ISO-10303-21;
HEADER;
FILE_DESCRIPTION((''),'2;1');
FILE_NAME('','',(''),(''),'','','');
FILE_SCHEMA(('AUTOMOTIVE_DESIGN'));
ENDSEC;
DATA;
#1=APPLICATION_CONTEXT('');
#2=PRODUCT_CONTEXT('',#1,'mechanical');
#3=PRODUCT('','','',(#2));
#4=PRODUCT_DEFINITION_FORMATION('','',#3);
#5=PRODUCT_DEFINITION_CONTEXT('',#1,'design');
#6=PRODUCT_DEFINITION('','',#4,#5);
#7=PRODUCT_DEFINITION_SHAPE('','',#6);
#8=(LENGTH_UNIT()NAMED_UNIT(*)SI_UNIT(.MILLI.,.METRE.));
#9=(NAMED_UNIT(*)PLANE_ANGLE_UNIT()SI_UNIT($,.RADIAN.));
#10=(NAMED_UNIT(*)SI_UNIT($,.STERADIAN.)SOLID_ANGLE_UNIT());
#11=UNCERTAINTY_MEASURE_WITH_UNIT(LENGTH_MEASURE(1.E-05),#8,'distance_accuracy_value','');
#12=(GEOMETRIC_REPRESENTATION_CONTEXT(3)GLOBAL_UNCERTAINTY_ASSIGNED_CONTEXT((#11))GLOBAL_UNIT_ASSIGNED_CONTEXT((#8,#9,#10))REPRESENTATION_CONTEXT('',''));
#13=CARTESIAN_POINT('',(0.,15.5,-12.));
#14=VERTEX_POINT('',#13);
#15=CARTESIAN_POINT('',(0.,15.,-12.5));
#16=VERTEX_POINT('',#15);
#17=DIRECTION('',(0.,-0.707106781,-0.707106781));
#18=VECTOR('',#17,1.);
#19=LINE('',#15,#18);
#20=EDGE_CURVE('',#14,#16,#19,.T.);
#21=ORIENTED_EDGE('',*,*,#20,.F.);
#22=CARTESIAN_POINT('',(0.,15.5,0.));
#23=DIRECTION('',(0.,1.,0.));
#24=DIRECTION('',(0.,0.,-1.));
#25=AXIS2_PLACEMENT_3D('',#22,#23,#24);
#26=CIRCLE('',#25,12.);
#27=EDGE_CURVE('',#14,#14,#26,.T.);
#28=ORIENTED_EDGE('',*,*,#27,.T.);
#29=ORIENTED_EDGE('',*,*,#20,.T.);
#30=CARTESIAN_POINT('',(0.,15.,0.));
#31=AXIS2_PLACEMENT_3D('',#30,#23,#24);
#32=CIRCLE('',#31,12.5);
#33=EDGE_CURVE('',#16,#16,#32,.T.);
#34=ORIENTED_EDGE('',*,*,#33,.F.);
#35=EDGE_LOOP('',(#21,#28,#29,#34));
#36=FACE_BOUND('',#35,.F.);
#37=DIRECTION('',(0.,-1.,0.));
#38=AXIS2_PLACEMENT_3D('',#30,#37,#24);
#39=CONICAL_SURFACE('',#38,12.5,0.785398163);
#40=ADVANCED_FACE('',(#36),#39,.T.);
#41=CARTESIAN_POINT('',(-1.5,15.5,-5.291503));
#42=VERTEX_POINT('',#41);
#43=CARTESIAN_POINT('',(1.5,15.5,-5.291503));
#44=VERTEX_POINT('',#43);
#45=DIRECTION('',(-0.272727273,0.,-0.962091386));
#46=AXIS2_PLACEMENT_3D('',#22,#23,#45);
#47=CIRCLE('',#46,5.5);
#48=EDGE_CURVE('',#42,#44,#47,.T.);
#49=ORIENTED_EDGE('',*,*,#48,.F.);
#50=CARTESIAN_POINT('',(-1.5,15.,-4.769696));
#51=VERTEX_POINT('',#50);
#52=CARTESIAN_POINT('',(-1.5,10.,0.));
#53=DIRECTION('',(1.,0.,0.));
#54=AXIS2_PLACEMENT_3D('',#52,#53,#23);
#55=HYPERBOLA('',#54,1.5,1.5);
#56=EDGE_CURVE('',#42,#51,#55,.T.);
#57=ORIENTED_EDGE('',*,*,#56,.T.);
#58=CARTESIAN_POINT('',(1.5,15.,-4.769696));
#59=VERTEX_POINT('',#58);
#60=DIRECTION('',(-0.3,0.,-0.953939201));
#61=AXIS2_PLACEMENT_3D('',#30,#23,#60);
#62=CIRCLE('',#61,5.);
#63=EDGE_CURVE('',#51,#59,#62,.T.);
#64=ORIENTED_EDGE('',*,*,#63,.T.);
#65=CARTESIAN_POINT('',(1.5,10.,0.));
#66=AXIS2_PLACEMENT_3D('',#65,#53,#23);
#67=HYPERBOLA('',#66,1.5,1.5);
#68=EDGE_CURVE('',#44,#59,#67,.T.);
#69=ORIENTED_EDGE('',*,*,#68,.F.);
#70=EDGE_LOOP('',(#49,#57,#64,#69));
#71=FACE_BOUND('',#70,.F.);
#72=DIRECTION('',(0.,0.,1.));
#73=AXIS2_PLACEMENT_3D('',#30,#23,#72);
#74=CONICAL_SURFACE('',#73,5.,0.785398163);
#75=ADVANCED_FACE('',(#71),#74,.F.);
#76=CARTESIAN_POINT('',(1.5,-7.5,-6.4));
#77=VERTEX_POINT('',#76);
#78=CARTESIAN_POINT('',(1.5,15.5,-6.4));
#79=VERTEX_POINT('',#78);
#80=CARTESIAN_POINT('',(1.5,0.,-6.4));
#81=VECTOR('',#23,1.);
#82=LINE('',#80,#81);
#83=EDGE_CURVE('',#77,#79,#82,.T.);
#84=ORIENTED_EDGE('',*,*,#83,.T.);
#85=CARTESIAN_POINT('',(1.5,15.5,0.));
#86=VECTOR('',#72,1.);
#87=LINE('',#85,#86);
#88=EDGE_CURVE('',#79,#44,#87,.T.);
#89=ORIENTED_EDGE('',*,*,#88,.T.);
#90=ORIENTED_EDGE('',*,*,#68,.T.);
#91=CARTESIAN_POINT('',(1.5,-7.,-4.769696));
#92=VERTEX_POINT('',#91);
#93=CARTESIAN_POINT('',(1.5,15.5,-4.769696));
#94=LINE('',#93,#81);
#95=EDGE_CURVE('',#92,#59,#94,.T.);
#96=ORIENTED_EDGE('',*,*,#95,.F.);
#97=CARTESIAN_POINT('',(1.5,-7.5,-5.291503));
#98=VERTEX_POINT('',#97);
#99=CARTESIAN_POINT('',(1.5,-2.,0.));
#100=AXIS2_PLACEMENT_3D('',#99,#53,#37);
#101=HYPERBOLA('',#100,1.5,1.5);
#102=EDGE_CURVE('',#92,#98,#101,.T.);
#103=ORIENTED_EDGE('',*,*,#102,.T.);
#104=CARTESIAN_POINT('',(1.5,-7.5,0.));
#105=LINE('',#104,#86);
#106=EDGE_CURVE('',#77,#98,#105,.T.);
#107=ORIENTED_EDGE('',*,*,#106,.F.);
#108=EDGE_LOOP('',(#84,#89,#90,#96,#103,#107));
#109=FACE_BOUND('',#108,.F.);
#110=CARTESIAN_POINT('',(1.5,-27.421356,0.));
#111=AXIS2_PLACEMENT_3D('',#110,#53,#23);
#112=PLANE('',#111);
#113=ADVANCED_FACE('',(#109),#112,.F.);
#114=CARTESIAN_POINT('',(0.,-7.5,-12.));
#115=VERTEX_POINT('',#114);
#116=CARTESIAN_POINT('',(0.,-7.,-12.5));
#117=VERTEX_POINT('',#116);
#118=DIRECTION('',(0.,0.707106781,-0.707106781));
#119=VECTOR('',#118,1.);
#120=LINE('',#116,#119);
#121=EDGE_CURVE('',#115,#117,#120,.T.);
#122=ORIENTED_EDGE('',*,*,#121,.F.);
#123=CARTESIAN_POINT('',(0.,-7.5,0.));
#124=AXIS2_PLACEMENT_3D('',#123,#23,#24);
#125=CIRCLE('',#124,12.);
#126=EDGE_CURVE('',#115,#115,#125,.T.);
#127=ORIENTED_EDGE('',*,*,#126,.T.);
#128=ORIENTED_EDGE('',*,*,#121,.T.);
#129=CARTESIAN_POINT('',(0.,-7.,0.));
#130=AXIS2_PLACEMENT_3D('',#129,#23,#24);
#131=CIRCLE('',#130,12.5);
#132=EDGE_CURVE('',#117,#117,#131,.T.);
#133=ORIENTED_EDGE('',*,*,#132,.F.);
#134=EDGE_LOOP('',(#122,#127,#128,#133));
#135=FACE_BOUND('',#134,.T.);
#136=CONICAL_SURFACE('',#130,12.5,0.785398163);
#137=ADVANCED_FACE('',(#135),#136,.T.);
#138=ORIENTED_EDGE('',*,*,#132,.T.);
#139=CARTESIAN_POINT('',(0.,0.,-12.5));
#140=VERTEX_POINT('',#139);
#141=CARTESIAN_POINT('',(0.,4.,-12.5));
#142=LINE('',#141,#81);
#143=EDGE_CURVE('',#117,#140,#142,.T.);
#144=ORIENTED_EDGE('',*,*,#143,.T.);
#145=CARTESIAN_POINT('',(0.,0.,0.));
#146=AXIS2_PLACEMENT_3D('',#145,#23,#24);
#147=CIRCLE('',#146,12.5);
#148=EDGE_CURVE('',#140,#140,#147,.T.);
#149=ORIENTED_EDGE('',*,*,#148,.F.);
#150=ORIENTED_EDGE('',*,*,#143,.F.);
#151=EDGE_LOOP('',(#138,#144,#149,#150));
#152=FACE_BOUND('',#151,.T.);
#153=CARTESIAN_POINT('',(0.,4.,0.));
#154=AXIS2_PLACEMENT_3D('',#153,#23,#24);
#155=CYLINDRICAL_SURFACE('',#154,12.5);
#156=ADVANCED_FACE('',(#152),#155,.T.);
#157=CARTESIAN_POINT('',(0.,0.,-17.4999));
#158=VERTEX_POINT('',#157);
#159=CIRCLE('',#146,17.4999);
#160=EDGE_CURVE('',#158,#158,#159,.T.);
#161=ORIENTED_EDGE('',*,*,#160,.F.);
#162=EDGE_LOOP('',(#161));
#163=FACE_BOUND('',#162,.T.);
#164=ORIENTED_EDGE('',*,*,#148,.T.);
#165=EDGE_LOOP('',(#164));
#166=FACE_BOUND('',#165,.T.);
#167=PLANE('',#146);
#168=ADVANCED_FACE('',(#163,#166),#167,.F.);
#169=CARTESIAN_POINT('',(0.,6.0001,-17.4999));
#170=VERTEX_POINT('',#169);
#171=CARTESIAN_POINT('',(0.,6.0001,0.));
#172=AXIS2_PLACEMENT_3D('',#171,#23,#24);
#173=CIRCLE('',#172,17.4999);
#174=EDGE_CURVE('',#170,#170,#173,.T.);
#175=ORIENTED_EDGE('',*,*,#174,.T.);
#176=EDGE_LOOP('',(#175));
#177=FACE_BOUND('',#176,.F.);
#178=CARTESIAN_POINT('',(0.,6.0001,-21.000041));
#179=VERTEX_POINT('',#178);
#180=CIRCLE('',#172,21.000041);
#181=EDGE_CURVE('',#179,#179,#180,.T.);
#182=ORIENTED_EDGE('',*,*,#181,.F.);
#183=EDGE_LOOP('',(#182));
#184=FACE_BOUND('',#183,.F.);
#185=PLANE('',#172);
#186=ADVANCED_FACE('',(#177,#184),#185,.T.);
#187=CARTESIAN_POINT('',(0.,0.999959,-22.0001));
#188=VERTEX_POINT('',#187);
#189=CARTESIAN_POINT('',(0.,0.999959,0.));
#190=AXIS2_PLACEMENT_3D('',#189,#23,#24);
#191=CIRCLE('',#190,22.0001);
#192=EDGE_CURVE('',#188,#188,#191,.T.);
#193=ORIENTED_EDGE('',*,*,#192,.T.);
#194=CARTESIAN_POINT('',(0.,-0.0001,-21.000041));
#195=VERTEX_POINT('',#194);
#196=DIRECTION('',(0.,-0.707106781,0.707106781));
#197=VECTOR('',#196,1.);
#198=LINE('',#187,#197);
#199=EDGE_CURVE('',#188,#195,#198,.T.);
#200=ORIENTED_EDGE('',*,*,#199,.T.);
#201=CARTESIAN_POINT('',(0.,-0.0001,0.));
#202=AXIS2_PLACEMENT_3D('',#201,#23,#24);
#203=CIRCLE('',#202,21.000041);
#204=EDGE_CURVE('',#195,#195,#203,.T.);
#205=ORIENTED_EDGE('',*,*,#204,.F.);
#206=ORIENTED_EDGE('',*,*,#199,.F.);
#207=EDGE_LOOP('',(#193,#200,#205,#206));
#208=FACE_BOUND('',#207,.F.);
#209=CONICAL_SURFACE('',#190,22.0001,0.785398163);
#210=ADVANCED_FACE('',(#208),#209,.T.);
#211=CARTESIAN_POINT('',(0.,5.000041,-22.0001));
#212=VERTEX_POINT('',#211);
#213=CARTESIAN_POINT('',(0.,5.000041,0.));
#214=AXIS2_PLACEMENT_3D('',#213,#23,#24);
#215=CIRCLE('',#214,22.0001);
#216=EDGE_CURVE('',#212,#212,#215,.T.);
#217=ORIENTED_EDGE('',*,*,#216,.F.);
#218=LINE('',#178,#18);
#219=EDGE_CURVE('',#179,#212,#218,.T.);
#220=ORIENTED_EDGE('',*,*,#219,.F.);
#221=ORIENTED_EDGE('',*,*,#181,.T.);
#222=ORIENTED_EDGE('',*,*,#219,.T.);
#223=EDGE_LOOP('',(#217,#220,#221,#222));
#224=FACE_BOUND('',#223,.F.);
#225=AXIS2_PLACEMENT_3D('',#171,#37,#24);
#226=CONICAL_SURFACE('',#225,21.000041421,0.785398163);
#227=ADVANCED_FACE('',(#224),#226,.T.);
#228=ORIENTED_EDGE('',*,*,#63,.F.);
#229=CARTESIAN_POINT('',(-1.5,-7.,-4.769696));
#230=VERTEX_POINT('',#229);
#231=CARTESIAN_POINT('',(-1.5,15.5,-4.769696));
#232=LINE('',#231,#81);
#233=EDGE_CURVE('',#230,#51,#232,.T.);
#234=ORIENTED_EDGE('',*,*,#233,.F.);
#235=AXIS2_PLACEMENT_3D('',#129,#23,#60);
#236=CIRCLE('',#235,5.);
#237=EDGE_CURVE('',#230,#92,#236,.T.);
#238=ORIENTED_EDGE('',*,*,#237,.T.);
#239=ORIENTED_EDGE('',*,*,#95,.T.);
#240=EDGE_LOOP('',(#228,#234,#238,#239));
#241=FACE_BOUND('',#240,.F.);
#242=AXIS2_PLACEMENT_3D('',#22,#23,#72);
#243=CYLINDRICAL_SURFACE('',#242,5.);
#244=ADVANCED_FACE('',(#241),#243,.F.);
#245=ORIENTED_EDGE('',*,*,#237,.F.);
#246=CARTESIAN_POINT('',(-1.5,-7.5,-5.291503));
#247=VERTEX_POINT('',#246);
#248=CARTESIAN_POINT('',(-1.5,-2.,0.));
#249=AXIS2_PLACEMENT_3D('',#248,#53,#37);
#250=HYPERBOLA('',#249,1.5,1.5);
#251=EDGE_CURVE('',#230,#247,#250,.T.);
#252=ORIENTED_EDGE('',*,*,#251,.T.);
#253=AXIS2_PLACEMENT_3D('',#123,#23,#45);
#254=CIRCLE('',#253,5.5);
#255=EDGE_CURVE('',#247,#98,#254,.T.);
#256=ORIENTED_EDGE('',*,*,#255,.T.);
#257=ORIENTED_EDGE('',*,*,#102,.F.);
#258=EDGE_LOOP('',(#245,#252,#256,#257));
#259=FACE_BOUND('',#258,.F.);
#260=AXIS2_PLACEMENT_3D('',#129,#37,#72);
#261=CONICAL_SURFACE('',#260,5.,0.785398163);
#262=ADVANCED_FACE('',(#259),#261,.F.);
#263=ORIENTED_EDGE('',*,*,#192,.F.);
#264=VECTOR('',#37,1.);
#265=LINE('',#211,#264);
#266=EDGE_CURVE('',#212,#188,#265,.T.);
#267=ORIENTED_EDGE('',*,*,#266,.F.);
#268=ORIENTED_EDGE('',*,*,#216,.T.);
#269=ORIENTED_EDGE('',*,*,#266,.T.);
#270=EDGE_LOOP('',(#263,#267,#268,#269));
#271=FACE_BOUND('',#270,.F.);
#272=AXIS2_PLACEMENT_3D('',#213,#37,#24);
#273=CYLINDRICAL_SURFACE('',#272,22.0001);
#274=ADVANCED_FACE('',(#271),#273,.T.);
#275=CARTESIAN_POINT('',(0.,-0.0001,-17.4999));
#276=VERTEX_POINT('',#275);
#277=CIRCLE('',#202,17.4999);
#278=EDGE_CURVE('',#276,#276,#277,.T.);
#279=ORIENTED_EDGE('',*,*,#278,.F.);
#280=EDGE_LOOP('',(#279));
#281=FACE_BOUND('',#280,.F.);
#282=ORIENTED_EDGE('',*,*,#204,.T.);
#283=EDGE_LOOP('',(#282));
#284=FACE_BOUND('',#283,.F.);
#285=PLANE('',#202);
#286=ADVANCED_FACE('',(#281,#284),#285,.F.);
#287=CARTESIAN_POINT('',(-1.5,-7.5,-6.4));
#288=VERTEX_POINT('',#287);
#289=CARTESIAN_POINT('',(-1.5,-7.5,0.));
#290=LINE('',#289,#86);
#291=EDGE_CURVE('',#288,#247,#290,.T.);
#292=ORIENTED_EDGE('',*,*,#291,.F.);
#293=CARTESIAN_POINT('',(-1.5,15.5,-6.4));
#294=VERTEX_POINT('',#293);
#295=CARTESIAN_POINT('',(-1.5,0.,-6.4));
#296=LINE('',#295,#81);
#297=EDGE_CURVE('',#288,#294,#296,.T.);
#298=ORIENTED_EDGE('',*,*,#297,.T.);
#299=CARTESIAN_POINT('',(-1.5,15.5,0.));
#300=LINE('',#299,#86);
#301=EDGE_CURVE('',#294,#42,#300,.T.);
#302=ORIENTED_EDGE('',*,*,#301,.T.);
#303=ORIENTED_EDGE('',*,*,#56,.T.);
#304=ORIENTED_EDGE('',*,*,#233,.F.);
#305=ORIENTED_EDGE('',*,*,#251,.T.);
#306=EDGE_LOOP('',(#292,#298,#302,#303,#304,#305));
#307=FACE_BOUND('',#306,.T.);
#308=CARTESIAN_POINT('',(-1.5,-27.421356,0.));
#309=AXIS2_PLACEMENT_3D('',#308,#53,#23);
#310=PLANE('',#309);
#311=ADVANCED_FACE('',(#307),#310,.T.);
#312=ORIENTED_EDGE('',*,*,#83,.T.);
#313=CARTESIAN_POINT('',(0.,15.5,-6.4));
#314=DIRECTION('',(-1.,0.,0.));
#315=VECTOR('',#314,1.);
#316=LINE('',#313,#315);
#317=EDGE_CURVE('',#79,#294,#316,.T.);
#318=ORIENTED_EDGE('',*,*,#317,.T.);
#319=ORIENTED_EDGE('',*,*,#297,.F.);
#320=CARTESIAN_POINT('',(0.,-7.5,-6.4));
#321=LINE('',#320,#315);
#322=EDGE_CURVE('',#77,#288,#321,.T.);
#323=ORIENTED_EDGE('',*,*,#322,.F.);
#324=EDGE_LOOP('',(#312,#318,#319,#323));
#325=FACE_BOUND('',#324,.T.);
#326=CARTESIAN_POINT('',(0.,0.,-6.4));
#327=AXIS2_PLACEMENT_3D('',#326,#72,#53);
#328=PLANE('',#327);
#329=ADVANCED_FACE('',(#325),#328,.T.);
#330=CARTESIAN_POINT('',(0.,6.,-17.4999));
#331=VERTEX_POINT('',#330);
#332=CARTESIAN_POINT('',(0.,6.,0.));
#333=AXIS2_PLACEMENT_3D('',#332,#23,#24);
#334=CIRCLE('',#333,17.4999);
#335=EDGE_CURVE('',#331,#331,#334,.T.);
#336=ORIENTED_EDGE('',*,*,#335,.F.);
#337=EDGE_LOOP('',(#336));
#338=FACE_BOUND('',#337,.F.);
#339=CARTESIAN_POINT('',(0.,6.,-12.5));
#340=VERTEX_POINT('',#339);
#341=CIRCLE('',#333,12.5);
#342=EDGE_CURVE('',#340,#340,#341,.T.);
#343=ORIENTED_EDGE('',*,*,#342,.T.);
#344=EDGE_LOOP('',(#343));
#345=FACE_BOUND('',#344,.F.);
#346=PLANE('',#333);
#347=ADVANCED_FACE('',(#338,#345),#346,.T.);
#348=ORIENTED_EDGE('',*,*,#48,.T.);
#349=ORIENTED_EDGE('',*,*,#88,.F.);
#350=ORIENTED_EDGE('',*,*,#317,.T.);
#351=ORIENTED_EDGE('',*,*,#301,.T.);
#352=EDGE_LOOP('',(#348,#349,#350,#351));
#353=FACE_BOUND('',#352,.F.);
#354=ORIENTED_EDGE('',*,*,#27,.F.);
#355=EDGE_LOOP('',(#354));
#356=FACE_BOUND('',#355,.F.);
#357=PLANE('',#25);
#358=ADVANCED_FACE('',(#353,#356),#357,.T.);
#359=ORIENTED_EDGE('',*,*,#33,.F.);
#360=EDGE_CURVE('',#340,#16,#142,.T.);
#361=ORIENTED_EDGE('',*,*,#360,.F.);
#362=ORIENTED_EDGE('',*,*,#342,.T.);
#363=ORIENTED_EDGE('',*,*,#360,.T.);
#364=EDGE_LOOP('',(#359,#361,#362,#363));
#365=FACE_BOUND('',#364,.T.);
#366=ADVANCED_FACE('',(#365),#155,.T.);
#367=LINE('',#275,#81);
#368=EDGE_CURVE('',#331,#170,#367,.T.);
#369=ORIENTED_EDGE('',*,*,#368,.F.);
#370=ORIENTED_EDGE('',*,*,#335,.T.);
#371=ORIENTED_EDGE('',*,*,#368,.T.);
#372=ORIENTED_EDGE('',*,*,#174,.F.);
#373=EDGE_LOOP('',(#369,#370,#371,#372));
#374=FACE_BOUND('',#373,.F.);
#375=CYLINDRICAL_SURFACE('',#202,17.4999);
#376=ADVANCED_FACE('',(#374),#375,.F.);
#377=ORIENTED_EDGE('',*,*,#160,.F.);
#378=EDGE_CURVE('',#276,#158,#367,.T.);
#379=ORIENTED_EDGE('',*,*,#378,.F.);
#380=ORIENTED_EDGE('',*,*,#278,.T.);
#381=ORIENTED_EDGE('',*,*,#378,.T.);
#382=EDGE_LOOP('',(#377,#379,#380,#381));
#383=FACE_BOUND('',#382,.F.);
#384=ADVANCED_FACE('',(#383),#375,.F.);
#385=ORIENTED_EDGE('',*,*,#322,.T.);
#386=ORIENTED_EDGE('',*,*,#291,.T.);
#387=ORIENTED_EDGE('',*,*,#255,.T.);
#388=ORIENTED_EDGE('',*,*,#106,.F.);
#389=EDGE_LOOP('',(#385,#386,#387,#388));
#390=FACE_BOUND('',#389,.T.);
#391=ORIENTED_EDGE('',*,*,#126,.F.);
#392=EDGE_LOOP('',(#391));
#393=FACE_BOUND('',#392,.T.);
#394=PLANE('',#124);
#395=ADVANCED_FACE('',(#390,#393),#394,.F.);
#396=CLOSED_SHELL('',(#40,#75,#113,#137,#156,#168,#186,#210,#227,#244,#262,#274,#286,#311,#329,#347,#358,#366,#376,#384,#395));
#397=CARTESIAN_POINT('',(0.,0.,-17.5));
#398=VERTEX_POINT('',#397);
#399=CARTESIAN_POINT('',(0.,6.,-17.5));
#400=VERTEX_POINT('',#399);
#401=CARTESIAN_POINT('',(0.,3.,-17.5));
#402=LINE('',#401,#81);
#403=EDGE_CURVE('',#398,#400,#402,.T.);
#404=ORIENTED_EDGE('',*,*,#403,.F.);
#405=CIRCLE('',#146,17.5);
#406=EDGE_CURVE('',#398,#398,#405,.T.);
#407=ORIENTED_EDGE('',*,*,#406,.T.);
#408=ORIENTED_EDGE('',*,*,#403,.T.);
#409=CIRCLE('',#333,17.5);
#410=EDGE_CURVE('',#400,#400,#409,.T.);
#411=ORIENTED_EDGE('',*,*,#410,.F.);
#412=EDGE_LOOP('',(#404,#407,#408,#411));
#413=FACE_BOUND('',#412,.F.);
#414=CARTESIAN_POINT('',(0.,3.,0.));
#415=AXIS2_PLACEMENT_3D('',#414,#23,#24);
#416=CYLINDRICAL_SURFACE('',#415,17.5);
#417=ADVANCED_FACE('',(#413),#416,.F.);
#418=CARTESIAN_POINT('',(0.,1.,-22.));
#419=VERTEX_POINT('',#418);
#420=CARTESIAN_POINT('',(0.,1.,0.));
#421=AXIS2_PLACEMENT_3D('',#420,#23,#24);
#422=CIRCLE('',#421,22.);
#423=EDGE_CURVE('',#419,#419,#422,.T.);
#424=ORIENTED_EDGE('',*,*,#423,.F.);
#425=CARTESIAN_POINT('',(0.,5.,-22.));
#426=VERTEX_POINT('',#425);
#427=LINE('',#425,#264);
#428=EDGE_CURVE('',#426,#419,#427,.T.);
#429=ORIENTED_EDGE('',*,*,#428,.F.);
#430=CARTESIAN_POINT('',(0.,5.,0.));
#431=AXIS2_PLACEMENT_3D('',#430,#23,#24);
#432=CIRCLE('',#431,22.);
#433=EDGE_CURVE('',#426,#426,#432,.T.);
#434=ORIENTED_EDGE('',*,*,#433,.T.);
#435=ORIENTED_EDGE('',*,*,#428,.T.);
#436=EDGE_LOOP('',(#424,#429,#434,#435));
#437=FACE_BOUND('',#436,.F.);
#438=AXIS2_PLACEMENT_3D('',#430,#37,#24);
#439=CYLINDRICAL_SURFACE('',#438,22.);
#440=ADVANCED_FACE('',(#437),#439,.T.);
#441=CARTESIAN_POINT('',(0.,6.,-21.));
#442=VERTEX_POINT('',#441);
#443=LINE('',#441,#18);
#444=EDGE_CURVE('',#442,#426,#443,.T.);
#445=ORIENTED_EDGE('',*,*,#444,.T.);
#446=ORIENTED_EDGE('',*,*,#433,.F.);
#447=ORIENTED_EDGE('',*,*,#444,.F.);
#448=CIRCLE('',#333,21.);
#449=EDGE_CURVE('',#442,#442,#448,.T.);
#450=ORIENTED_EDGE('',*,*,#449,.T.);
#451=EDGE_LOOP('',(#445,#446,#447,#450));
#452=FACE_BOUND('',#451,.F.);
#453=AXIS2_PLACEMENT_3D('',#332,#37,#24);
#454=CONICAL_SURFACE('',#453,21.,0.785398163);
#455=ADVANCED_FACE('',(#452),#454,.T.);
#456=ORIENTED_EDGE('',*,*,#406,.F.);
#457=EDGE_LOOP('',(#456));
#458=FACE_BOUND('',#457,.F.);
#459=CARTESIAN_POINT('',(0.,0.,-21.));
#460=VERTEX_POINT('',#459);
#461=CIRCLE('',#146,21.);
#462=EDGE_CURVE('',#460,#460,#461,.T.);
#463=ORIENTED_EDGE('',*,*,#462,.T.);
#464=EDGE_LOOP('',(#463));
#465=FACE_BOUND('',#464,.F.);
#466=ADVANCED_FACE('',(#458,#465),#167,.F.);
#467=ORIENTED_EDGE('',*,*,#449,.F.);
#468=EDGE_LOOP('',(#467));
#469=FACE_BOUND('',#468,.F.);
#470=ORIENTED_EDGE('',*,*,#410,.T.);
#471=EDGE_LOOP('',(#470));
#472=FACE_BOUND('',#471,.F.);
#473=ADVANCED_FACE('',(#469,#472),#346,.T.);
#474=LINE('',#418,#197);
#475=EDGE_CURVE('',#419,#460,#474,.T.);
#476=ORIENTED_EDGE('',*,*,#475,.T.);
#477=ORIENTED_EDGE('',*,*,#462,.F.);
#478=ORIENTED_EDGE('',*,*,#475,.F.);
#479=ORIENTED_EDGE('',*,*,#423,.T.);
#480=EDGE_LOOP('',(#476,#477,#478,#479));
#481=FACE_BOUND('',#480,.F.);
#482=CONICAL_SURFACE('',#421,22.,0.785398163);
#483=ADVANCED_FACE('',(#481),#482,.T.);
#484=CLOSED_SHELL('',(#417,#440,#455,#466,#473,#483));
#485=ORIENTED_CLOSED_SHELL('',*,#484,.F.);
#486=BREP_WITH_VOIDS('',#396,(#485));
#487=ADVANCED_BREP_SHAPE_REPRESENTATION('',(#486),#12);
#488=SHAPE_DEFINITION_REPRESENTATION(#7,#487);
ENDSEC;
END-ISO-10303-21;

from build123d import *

# Parameters (mm, degrees)
SKETCH_5_W          = 12.5
SKETCH_5_H          = 23
SKETCH_10_R         = 5
CUT_EXTRUDE_3_DEPTH = 39.691197966
CHAMFER_3_SIZE      = 0.5
SKETCH_2_W          = 3
SKETCH_2_H          = 54.842712326
CUT_EXTRUDE_1_DEPTH = 6.4


with BuildPart() as part:
    # Эскиз1 → Revolve 729 (revolve)
    with BuildSketch(Plane.XY):
        Polygon((0, 6), (0, 0), (17.5, 0), (17.5, 6), (11, 6), align=None)
    revolve(axis=Axis((0, 0, 0), (0, 1, 0)))

    # Эскиз3 → Revolve 1176 (revolve)
    with BuildSketch(Plane.XY):
        Polygon((17.4999, -0.0001), (17.4999, 6.0001), (21.000041421, 6.0001), (22.0001, 5.000041421), (22.0001, 0.999958579), (21.000041421, -0.0001), align=None)
        Polygon((17.5, 0), (17.5, 6), (21, 6), (22, 5), (22, 1), (21, 0), align=None, mode=Mode.SUBTRACT)
    revolve(axis=Axis((0, 0, 0), (0, 1, 0)))

    # Эскиз5 → Revolve 2677 (revolve)
    with BuildSketch(Plane.XY):
        with Locations((6.25, 4)):
            Rectangle(SKETCH_5_W, SKETCH_5_H)
    revolve(axis=Axis((0, -50, 0), (0, 1, 0)))

    # Эскиз10 → Вырез-Вытянуть3 (cut, through all)
    with BuildSketch(Plane(origin=(0, 15.5, 0), x_dir=(1, 0, 0), z_dir=(0, 1, 0))):
        Circle(SKETCH_10_R)
    extrude(amount=-CUT_EXTRUDE_3_DEPTH, mode=Mode.SUBTRACT)

    # Фаска3
    chamfer_3_edges = [part.edges().sort_by_distance(p)[0] for p in [
        (-12.5, 15.5, 0),
        (-12.5, -7.5, 0),
        (-5, -7.5, 0),
        (-5, 15.5, 0),
    ]]
    chamfer(chamfer_3_edges, length=CHAMFER_3_SIZE)

    # Эскиз2 → Вырез-Вытянуть1 (cut)
    with BuildSketch(Plane.XY):
        Rectangle(SKETCH_2_W, SKETCH_2_H)
    extrude(amount=-CUT_EXTRUDE_1_DEPTH, mode=Mode.SUBTRACT)


solid = part.part
